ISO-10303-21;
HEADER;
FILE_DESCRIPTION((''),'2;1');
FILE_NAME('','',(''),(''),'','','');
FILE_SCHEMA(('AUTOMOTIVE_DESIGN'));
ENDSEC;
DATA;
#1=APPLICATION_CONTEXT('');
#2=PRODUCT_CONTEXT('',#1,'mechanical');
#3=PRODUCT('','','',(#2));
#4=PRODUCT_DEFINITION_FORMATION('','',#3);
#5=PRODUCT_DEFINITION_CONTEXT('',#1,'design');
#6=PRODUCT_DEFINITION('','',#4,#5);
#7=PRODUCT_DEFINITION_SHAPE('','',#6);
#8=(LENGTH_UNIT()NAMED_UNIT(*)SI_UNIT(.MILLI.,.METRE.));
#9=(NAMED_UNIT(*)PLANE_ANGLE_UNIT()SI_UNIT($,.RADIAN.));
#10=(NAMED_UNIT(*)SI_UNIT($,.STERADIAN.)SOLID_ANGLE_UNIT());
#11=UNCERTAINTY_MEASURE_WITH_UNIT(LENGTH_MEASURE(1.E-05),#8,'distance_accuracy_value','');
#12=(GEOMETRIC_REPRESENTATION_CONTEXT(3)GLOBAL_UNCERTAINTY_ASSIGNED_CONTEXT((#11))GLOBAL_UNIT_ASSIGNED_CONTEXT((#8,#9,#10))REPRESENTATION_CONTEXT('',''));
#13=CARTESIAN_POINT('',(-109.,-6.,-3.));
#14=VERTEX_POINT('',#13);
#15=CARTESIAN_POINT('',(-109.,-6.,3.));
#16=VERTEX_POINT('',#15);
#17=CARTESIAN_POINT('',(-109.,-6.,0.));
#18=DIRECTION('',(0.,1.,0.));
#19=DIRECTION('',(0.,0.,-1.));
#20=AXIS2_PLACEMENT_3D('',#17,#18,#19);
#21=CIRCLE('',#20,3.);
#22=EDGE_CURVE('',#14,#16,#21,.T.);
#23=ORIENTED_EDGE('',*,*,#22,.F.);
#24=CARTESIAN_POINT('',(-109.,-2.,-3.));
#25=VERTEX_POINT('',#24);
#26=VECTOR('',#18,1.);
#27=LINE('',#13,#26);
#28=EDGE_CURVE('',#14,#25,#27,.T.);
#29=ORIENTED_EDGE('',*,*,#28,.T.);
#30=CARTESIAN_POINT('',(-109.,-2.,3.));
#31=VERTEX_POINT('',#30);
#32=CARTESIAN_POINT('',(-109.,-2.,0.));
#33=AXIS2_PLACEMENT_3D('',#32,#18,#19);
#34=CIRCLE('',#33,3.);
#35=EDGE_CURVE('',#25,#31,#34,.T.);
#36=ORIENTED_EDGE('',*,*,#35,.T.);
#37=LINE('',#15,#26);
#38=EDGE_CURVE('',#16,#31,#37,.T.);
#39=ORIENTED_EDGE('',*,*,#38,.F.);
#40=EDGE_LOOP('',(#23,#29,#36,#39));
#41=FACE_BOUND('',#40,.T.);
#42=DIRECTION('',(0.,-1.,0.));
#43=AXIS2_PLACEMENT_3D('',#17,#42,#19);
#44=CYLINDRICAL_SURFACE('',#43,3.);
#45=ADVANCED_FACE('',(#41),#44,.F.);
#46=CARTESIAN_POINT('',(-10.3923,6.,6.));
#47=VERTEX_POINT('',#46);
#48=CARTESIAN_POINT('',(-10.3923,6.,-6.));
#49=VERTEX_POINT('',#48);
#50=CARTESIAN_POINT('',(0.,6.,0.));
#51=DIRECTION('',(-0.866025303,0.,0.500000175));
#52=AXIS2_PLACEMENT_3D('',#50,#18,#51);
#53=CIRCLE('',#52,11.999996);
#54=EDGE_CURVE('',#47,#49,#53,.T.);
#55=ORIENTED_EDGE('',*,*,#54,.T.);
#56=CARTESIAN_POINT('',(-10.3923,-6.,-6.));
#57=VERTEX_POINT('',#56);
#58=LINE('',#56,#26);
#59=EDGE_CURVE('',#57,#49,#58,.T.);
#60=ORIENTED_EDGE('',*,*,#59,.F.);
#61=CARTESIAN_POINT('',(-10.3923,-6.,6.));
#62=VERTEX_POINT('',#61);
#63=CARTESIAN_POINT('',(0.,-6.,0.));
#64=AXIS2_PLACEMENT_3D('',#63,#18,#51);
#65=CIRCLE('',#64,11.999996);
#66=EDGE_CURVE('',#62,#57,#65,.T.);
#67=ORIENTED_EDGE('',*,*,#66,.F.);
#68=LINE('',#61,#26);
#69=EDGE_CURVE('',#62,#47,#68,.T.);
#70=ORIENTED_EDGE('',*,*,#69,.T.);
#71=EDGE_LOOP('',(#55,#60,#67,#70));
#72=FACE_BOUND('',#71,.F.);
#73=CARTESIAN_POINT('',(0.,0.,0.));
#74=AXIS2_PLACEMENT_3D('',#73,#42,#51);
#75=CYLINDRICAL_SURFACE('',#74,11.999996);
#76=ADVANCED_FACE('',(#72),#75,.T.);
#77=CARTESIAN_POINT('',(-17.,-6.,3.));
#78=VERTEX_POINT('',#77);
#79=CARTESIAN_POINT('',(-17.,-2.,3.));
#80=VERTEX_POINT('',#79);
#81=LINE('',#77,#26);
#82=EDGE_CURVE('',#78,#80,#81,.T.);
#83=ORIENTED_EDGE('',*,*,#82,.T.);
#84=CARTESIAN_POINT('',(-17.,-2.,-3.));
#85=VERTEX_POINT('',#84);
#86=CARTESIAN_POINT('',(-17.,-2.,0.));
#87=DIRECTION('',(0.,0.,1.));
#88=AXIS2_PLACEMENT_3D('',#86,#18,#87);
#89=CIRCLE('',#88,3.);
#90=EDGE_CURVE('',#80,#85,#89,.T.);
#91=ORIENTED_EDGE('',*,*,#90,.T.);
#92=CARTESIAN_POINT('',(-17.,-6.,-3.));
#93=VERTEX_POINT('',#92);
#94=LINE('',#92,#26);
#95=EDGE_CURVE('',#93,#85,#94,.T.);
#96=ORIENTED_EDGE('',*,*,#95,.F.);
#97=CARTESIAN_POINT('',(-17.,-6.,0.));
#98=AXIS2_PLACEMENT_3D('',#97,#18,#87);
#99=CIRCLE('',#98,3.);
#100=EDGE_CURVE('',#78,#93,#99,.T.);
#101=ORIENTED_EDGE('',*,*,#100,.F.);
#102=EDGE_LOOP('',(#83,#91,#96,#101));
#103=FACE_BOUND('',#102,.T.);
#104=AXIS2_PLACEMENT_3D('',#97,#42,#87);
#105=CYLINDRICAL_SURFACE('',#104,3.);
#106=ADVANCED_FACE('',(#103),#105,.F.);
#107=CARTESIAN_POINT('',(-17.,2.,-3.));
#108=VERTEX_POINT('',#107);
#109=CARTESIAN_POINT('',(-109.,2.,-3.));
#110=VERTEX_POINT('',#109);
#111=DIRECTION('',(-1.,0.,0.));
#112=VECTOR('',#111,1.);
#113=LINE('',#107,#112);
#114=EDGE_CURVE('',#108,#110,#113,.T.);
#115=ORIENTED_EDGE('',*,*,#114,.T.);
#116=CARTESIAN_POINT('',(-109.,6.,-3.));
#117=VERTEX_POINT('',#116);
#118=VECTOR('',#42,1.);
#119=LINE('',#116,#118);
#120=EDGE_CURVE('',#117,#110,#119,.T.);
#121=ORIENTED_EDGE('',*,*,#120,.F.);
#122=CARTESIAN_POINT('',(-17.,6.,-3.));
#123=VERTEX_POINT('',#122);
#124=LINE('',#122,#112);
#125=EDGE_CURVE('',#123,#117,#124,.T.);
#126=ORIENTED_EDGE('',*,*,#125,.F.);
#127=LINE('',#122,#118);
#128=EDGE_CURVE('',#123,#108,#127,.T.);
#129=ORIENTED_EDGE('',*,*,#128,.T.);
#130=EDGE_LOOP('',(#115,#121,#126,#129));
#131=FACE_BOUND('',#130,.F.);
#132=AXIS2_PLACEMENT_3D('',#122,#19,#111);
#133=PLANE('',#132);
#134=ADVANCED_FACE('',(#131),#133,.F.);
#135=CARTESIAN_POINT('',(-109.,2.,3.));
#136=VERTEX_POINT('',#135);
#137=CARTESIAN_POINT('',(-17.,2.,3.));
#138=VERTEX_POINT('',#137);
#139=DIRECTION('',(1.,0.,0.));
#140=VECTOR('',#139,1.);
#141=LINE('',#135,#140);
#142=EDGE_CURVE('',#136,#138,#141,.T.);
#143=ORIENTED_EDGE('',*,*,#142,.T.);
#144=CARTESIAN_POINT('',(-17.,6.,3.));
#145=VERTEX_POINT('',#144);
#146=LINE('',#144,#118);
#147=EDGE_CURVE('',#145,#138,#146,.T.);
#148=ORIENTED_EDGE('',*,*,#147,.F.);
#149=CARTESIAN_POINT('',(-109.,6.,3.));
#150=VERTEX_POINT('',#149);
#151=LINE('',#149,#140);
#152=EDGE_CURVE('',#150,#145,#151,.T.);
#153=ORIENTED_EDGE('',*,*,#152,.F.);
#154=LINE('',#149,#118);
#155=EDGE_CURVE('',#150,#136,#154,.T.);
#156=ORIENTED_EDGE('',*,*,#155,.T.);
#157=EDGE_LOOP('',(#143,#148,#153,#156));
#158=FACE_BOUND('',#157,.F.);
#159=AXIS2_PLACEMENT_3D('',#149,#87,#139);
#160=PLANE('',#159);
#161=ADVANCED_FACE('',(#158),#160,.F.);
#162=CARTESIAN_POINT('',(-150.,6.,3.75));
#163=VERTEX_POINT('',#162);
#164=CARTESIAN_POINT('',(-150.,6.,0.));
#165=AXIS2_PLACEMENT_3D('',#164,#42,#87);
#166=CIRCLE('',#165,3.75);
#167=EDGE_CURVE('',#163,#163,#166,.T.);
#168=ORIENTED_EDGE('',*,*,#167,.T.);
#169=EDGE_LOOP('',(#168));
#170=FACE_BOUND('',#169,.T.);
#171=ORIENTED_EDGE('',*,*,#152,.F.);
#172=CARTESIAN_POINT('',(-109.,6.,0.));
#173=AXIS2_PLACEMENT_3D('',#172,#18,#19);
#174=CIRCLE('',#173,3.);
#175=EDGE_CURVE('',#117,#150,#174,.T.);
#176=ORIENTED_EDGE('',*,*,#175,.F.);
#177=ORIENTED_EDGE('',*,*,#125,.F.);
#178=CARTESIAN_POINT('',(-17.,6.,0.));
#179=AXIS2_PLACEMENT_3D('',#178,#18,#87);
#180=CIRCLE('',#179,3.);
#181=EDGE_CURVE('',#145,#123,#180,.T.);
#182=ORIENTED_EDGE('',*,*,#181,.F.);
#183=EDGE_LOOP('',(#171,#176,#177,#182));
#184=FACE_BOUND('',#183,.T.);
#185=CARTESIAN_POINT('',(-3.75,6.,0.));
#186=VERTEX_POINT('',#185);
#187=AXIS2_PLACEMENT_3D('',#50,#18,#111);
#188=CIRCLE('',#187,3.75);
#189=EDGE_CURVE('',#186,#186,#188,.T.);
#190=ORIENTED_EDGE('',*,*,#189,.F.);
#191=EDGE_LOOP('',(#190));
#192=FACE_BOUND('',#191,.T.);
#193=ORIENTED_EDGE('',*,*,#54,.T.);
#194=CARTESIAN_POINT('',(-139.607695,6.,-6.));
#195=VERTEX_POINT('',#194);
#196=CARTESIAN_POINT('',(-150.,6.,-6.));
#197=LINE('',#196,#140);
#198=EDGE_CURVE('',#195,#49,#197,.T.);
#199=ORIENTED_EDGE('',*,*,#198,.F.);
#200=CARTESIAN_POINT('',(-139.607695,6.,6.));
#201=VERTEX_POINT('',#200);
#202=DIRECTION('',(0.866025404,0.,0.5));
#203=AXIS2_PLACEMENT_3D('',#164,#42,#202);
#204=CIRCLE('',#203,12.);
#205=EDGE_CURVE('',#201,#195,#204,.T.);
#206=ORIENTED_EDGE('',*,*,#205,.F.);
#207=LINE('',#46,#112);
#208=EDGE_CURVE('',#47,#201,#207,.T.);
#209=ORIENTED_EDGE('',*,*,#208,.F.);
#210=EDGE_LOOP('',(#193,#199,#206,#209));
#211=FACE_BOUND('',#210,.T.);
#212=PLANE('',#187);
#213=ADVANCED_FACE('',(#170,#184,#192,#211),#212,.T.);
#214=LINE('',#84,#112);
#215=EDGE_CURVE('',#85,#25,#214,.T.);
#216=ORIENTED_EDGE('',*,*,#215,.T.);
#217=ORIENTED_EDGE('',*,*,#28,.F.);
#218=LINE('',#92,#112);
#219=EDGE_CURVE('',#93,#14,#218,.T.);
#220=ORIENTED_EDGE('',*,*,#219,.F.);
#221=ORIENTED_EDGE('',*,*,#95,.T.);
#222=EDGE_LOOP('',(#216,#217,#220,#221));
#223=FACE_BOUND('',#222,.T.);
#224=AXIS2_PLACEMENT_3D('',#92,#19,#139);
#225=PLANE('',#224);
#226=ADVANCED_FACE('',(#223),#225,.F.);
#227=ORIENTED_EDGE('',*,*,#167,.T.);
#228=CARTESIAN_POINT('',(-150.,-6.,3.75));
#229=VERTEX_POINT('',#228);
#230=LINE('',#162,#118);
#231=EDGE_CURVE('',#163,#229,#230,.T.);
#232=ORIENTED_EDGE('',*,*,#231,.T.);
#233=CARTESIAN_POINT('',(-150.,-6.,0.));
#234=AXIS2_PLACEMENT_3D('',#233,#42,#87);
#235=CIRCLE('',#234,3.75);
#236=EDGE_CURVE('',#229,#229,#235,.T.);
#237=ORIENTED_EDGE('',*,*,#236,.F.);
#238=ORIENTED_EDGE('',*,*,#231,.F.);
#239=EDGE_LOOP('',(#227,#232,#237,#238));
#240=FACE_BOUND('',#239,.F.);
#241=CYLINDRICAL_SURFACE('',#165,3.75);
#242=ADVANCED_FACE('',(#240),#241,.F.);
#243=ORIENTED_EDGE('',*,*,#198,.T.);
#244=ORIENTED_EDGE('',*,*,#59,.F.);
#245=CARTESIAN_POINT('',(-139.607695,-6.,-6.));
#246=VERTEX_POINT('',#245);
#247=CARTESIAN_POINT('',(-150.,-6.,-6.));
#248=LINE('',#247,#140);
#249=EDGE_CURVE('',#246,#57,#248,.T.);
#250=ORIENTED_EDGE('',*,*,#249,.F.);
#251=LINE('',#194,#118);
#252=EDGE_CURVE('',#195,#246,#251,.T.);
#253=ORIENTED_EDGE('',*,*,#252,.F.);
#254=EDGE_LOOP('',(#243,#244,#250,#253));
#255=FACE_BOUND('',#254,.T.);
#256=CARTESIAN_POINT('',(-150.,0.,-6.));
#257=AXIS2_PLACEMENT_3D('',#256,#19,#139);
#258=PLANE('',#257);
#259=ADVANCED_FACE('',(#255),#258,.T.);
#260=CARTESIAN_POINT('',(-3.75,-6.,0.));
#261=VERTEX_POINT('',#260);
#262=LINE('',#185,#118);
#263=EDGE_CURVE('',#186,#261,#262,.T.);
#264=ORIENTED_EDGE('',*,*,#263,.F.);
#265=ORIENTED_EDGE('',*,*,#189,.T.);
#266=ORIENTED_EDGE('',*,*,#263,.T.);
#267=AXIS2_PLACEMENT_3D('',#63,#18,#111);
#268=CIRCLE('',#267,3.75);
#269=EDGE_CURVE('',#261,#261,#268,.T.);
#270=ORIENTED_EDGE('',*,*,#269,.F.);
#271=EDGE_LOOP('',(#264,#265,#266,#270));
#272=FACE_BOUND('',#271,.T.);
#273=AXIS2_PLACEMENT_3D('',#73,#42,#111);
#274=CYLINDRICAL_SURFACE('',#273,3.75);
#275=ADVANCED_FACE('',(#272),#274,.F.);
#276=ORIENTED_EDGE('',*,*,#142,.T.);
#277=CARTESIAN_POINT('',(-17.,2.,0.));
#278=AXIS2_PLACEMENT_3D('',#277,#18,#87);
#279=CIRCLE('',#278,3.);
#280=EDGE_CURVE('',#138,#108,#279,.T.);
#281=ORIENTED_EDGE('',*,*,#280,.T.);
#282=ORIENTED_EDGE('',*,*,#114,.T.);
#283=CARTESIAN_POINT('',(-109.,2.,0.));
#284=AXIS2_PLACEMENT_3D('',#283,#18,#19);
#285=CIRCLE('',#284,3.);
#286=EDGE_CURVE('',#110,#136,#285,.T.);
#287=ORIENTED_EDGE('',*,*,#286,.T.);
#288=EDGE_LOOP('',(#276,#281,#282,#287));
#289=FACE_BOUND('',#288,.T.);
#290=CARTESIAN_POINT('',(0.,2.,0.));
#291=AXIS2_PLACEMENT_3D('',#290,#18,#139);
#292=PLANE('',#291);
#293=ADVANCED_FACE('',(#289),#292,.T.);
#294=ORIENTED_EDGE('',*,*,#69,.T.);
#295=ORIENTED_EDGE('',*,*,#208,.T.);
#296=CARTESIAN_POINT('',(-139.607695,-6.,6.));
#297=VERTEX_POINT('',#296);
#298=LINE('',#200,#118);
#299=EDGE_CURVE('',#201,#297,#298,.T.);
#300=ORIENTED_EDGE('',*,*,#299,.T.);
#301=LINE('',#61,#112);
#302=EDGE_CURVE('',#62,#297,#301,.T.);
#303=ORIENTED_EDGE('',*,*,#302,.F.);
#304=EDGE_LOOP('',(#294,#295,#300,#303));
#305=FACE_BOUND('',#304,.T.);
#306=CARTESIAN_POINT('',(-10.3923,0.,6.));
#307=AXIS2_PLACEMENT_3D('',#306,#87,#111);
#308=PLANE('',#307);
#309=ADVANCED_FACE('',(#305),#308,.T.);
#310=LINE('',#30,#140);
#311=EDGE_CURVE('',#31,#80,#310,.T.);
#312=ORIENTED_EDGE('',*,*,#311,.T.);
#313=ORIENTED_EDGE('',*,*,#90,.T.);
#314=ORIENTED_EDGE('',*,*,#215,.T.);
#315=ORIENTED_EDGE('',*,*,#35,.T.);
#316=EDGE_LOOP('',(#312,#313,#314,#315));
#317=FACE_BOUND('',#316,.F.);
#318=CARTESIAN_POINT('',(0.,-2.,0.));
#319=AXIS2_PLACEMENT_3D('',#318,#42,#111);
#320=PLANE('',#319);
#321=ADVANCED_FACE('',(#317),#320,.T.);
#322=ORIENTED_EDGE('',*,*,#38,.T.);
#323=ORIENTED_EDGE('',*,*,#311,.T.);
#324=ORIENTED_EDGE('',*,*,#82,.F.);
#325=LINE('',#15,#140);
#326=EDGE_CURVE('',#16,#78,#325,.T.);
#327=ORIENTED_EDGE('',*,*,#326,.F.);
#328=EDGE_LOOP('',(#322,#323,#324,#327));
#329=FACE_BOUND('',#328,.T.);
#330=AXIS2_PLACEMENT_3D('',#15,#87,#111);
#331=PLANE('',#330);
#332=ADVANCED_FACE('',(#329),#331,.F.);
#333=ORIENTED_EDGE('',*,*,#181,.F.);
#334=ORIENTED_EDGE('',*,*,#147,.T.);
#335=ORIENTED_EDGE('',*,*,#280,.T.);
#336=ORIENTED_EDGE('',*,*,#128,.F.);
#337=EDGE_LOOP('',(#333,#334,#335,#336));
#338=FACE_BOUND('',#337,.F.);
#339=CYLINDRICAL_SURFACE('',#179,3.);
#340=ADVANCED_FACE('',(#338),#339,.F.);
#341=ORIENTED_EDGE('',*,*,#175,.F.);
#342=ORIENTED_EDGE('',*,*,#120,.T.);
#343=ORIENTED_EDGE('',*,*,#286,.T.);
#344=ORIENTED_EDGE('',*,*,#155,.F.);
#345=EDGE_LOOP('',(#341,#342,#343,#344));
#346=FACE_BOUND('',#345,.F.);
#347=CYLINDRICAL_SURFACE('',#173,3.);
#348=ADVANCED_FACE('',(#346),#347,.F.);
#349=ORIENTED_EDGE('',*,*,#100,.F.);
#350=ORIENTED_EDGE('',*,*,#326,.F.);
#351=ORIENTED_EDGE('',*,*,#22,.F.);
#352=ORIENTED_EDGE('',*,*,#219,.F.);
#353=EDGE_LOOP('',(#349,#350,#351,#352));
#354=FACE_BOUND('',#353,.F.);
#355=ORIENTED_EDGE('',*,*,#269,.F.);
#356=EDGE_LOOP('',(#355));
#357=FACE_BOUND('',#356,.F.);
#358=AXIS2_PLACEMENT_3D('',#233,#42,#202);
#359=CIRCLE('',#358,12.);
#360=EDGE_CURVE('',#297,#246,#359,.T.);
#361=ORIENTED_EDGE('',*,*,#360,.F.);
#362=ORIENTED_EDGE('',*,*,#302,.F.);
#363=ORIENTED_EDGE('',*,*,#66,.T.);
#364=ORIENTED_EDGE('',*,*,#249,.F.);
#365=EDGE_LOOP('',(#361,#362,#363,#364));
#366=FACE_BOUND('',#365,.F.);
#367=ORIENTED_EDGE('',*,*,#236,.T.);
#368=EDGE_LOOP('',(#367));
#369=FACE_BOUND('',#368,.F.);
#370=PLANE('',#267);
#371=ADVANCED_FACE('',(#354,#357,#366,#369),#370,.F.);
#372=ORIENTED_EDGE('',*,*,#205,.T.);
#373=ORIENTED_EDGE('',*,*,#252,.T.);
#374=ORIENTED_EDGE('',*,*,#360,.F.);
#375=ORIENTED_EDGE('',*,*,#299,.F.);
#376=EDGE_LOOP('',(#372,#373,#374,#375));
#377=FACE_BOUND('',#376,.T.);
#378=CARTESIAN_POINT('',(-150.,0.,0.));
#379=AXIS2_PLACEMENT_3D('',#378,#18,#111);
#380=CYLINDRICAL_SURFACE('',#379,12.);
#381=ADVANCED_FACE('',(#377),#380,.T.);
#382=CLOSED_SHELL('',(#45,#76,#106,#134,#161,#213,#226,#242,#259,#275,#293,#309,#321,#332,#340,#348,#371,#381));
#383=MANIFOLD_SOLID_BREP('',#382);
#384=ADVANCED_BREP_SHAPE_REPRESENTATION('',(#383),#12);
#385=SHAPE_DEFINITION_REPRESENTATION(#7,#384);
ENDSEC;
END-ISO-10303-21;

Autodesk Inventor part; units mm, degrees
ref_plane "Arbeitsebene3" through (-142.5, 0, 0) normal (1, 0, 0) x (0, 1, 0)
sketch "Skizze1" plane through (0, 0, 0) normal (0, 1, 0) x (-1, 0, 0)
  arc A0 (10.3923, 6) -> (10.3923, -6) centre (0, 0) ccw
  line L0 (10.3923, 6) -> (150, 6)
  line L1 (150, 6) -> (150, -6)
  line L2 (150, -6) -> (10.3923, -6)
  line L3 (0, 0) -> (150, 0) construction
  circle A1 centre (0, 0) radius 3.75
  dimension "d0" = 24
  dimension "d1" = 12
  dimension "d2" = 7.5
  dimension "d3" = 150
extrude "Extrusion1" add sketch "Skizze1" along normal mid plane 12
ref_plane "Arbeitsebene1" through (0, 0, 0) normal (0, 1, 0) x (-1, 0, 0)
sketch "Skizze2" plane through (0, 0, 0) normal (0, 1, 0) x (-1, 0, 0)
  line L0 (150, 6) -> (150, -6) projected
  circle A0 centre (150, 0) radius 12
  point P0 (0, 0)
  dimension "d7" = 24
extrude "Extrusion2" add sketch "Skizze2" along normal mid plane 12
sketch "Skizze3" plane through (0, 6, 0) normal (0, 1, 0) x (1, 0, 0)
  arc A0 (-139.6077, 6) -> (-139.6077, -6) centre (-150, 0) ccw projected
  point P0 (0, 0)
hole "Bohrung1" at (-150, 6, 0) direction (0, -1, 0) diameter 7.5 depth 12
sketch "Skizze4" plane through (0, 6, 0) normal (0, 1, 0) x (1, 0, 0)
  line L0 (-17, 0) -> (-109, 0) construction
  line L1 (-17, 3) -> (-109, 3)
  line L2 (-109, -3) -> (-17, -3)
  arc A0 (-17, -3) -> (-17, 3) centre (-17, 0) ccw
  arc A1 (-109, 3) -> (-109, -3) centre (-109, 0) ccw
  circle A2 centre (-150, 0) radius 3.75 projected
  point P0 (0, 0)
  point P1 (-63, 0)
  point P2 (-14, 0)
  point P3 (-112, 0)
  point P4 (-63, 3)
  dimension "d18" = 6
  dimension "d20" = 98
  dimension "d21" = 150
  dimension "d22" = 14
extrude "Extrusion3" cut sketch "Skizze4" against normal blind 4 contours A0 L2 A1 L1
mirror "Spiegeln1" about plane through (0, 0, 0) normal (0, 1, 0) of "Extrusion3"
ref_plane "Arbeitsebene2" through (12, 0, 0) normal (1, 0, 0) x (0, 1, 0)
sketch "Skizze5" plane through (12, 0, 0) normal (1, 0, 0) x (0, 1, 0)
  point P0 (0, 0)
  point P1 (0, 0)
sketch "Skizze6" plane through (-142.5, 0, 0) normal (1, 0, 0) x (0, 1, 0)
  point P0 (0, 0)
  point P1 (0, 0)
properties part number "pleuel_third" material "Nickel-Kupfer-Legierung 400"
